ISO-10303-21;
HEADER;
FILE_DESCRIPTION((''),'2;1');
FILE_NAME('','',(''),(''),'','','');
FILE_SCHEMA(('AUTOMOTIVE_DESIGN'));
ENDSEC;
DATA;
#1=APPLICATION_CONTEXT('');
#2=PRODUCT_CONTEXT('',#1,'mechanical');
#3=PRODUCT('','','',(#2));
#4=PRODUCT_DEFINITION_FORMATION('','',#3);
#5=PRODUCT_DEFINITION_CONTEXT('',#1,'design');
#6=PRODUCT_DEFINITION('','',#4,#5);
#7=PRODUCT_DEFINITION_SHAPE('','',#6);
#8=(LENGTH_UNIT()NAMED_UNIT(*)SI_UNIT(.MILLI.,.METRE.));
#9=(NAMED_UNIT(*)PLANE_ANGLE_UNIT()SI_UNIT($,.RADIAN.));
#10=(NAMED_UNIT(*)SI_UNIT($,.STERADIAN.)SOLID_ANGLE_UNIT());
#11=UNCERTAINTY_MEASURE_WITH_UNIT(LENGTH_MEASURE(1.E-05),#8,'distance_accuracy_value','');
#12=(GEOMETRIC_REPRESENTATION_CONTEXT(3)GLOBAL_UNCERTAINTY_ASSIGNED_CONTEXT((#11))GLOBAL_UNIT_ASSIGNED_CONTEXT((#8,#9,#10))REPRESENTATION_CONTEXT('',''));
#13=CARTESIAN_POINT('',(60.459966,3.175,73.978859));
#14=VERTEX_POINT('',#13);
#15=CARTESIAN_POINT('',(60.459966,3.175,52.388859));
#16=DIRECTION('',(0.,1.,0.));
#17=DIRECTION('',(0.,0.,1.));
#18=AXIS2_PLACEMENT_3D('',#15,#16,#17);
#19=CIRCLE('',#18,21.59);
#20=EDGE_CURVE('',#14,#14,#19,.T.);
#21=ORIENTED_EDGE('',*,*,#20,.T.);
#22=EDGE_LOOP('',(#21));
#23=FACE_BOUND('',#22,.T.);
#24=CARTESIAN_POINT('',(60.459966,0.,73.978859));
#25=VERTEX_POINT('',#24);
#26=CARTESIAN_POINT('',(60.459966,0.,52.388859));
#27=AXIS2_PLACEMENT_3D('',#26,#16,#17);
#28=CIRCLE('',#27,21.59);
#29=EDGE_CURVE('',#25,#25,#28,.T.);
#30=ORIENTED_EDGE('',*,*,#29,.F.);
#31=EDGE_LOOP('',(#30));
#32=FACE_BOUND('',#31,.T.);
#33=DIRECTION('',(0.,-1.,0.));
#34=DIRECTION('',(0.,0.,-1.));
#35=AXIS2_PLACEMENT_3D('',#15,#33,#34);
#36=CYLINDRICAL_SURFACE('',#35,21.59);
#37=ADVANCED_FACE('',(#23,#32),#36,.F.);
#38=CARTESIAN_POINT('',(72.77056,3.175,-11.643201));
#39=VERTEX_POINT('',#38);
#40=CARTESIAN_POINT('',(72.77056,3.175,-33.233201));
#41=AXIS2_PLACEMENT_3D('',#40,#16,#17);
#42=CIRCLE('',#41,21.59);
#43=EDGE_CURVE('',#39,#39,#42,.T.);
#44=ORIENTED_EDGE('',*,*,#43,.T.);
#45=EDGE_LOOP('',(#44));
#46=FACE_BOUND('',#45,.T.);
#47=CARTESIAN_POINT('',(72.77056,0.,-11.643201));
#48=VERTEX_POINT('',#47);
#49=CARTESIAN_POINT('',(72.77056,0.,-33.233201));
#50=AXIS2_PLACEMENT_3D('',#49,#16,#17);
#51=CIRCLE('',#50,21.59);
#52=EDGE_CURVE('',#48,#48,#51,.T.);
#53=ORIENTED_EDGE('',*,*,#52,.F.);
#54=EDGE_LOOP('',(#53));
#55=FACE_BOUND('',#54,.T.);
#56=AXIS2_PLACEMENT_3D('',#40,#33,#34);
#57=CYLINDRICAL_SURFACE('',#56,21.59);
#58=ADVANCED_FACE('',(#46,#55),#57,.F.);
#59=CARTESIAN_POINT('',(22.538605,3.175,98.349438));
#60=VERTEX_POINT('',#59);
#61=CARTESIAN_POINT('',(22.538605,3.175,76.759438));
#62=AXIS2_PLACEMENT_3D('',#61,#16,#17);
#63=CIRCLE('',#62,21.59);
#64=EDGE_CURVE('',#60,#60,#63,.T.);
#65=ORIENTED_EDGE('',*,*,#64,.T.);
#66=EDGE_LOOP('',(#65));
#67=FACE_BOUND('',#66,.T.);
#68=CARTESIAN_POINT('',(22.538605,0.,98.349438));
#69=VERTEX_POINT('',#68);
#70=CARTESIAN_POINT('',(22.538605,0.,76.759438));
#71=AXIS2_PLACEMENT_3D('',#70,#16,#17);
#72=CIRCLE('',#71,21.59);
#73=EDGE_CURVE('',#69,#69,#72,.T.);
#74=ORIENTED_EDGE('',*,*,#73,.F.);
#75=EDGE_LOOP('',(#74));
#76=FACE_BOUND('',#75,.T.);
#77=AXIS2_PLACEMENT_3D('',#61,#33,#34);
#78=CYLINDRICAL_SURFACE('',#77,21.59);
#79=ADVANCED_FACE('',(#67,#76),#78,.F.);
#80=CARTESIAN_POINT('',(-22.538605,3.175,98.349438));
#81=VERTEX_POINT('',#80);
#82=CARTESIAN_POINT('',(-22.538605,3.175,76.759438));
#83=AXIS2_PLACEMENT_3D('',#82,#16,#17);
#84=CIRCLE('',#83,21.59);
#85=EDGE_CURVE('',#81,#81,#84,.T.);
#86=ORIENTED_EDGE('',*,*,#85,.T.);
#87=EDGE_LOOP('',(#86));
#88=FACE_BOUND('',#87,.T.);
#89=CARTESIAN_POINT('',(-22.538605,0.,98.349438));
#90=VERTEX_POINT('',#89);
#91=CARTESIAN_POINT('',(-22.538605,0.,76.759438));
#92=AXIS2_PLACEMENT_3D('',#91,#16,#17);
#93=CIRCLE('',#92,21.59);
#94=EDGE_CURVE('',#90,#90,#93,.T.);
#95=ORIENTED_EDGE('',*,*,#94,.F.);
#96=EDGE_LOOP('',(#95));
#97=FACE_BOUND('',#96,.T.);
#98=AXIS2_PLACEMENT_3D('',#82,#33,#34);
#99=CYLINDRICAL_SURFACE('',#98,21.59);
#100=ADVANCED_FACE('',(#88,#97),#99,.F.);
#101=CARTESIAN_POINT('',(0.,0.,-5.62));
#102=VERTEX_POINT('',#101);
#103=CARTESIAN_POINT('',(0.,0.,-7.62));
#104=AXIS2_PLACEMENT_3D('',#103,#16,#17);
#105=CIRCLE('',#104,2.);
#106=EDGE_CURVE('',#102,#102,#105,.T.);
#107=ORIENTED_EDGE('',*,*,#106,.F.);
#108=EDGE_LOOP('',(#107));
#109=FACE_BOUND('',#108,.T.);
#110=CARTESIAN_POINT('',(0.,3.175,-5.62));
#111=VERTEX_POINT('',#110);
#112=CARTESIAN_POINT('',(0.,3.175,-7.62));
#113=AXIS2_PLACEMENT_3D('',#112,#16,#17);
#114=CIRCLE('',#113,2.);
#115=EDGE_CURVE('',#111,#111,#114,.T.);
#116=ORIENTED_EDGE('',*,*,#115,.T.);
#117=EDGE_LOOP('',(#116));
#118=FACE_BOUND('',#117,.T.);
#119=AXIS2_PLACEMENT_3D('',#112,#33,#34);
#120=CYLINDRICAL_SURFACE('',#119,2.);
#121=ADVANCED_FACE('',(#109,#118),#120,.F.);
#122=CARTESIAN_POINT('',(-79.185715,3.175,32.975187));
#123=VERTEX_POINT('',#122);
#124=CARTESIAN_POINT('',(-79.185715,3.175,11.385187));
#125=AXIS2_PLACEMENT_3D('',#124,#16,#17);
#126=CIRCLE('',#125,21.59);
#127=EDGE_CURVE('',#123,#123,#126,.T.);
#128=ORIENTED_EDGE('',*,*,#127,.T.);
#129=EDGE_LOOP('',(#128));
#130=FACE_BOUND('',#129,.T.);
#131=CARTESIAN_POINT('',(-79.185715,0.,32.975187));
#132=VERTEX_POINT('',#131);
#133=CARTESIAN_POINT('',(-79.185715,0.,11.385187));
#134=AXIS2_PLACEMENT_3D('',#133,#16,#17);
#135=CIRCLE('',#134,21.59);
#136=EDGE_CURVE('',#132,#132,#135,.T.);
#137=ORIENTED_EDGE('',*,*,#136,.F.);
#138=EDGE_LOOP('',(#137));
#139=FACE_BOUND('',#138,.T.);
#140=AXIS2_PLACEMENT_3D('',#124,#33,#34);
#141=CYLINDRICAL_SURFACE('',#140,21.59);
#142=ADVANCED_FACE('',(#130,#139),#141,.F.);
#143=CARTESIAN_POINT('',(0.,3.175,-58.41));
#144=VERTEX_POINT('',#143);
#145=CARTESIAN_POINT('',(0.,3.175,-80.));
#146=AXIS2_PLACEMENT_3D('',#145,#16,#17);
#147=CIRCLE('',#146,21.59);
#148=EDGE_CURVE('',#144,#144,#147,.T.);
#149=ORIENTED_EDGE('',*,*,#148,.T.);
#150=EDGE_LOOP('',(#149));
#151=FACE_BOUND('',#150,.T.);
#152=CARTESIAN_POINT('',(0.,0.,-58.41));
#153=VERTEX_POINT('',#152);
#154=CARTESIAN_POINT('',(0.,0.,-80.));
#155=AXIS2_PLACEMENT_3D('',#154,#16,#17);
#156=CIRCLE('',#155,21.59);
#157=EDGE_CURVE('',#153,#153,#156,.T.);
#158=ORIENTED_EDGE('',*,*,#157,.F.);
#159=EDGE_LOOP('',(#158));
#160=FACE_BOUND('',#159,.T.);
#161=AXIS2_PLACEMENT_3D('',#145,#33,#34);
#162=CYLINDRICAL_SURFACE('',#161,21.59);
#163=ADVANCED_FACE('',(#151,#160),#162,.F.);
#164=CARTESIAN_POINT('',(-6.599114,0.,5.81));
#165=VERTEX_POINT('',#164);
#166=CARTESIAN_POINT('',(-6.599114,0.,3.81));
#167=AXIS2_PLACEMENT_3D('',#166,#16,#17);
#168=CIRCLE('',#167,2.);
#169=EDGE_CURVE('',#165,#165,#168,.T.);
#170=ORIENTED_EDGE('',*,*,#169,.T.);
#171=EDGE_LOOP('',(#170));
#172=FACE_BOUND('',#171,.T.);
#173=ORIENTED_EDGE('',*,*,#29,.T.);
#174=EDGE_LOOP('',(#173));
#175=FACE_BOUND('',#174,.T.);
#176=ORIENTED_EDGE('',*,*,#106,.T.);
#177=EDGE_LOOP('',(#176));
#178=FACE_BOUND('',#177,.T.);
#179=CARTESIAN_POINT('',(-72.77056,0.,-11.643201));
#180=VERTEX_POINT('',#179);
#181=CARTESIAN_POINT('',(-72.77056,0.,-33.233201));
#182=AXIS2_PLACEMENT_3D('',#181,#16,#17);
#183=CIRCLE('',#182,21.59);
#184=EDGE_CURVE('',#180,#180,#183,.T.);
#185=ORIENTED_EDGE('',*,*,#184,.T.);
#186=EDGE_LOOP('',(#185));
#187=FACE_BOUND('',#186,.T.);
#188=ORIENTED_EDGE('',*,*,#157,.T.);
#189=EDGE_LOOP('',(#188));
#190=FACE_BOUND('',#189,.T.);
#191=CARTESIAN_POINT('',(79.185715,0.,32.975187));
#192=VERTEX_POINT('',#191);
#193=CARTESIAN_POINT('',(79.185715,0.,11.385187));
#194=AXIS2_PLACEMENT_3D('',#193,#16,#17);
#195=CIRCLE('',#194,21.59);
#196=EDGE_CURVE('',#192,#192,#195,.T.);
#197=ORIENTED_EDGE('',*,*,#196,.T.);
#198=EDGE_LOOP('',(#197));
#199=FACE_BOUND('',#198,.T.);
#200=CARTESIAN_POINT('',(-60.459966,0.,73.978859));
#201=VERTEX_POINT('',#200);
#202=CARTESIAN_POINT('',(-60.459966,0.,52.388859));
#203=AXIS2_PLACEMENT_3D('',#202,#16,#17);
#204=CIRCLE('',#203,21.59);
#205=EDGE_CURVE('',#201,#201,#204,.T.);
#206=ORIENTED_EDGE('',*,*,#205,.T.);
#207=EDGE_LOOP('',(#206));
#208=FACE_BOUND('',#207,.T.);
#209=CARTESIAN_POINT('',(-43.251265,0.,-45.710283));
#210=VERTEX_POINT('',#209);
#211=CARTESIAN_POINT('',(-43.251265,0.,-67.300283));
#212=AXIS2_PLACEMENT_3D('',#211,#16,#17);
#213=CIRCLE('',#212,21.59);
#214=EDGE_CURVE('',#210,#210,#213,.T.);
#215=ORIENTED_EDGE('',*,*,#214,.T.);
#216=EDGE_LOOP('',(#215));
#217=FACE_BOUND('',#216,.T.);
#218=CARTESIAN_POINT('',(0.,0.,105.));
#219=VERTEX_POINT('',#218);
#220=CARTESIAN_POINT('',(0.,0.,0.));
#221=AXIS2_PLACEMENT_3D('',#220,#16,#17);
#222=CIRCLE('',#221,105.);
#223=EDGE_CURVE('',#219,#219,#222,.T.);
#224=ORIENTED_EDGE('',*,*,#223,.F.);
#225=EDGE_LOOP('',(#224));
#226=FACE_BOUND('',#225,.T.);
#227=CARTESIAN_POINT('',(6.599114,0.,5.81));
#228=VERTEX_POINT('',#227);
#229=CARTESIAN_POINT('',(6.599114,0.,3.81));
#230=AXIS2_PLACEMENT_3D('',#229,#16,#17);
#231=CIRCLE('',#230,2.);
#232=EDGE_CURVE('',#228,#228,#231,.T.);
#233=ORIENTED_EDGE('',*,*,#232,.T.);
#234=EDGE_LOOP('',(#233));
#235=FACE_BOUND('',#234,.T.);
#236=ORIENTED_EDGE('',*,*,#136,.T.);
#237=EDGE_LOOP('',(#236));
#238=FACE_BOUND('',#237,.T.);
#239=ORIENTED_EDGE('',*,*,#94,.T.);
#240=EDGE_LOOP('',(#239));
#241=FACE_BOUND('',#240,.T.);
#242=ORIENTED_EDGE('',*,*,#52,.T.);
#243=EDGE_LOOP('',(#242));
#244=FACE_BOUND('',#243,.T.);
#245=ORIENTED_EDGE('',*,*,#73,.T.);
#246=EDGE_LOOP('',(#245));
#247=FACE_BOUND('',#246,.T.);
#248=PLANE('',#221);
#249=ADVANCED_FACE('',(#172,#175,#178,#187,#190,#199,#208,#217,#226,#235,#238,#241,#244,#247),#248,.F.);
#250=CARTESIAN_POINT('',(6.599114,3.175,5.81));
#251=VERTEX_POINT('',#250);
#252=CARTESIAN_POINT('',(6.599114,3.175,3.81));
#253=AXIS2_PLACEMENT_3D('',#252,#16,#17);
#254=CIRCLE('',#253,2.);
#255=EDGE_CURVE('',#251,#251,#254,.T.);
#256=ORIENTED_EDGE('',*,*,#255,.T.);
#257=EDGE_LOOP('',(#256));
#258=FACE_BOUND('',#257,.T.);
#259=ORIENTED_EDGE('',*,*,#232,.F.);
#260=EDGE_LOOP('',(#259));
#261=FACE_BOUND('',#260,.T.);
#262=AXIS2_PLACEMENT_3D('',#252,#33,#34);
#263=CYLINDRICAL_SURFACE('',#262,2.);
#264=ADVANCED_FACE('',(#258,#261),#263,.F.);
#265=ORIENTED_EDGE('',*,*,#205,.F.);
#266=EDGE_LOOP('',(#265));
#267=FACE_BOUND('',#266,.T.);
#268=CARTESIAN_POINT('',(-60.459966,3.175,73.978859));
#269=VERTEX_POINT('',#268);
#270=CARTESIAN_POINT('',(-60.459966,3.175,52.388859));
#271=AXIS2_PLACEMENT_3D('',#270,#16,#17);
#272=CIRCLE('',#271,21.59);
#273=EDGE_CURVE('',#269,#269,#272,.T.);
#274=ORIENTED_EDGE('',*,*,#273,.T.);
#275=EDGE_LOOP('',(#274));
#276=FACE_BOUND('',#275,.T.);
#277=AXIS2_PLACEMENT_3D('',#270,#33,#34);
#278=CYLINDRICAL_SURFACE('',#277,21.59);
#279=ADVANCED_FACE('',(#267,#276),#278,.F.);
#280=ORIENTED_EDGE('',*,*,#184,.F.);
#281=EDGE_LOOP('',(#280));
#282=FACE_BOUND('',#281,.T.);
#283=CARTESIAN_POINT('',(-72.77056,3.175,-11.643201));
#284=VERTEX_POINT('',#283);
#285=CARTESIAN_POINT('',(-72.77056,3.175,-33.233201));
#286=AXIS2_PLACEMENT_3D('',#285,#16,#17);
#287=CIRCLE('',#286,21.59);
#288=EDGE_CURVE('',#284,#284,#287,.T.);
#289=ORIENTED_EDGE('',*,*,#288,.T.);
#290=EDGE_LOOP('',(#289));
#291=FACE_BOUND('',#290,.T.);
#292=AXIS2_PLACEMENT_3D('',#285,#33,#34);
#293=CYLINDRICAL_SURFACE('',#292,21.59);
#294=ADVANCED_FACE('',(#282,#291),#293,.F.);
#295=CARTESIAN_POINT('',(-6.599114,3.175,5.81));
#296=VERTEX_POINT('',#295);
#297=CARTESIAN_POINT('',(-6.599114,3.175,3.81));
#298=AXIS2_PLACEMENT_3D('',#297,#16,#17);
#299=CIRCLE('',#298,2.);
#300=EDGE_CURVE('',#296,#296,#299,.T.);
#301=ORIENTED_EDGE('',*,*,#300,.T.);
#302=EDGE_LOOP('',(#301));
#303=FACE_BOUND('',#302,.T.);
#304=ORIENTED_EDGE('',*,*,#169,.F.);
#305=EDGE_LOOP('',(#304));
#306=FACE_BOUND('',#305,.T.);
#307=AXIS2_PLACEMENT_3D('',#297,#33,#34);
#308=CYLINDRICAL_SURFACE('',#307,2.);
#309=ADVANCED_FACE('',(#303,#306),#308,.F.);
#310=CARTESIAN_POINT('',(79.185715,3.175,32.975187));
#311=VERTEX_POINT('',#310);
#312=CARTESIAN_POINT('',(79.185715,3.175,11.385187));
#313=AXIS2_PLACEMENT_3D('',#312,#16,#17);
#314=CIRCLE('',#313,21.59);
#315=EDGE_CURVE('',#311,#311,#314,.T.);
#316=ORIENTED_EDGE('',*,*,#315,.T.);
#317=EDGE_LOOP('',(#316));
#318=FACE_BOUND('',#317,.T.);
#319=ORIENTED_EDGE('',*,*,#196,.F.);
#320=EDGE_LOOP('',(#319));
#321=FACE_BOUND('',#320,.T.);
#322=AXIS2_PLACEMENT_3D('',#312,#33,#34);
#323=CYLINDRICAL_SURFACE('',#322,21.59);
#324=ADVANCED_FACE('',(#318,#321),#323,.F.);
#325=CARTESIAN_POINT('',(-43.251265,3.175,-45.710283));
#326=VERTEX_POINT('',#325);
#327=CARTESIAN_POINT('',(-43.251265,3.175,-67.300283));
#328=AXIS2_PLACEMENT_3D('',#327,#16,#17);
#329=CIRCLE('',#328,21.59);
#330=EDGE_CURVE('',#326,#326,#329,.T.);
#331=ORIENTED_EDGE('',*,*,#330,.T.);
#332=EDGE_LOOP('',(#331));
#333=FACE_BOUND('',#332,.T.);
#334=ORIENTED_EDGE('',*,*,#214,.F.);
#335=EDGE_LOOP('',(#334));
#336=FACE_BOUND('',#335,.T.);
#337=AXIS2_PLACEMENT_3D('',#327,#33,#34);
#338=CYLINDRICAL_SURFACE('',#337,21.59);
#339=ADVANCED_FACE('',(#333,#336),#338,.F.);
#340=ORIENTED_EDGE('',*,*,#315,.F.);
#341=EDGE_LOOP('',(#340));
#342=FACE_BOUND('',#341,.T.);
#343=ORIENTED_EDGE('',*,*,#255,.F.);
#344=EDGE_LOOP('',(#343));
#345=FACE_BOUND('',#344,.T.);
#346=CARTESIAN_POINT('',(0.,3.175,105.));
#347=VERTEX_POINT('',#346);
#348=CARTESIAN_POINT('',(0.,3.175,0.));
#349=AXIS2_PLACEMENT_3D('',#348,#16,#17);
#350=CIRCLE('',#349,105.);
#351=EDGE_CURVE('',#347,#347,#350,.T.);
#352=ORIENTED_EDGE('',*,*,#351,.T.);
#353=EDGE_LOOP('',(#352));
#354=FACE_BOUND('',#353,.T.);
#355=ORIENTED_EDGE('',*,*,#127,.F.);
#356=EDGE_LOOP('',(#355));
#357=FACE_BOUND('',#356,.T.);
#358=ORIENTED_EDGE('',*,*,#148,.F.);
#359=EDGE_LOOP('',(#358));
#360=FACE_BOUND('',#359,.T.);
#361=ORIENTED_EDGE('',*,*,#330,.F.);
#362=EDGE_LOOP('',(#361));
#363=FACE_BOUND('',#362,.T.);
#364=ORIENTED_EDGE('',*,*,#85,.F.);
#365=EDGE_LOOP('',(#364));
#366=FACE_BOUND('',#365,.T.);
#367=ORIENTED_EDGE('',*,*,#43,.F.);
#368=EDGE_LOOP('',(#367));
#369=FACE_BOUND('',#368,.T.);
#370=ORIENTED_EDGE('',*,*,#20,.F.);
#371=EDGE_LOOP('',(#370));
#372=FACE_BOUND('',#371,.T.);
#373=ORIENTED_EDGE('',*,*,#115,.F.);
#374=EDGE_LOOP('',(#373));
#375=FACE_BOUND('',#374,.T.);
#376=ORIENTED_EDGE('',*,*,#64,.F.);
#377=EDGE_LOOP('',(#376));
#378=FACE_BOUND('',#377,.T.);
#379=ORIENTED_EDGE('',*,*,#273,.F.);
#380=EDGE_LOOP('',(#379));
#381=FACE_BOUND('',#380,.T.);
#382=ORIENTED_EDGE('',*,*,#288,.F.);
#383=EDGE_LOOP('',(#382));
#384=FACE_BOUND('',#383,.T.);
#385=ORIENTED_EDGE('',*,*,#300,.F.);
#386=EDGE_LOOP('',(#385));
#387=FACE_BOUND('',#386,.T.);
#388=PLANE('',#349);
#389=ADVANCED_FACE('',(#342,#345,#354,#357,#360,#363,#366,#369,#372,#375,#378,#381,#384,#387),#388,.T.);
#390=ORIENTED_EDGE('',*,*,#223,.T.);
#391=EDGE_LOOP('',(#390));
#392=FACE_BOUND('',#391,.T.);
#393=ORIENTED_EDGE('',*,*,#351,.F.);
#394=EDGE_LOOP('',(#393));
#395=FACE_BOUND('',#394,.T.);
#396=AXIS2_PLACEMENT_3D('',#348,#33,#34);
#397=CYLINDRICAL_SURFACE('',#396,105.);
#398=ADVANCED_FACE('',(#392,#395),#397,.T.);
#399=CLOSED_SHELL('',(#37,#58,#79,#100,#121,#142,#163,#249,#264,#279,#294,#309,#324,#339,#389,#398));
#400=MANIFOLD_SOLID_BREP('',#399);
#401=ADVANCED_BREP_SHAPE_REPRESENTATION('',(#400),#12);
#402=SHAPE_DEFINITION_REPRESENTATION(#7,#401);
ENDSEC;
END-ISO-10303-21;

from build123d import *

# Parameters (mm, degrees)
SKETCH2_R           = 105
SKETCH2_R_2         = 21.59
SKETCH2_R_3         = 2
BOSS_EXTRUDE2_DEPTH = 3.175


with BuildPart() as part:
    # Sketch2 → Boss-Extrude2 (new body)
    with BuildSketch(Plane(origin=(0, 0, 0), x_dir=(1, 0, 0), z_dir=(0, 1, 0))):
        Circle(SKETCH2_R)
        with Locations((0, 80)):
            Circle(SKETCH2_R_2, mode=Mode.SUBTRACT)
        with Locations((72.770559628, 33.23320104)):
            Circle(SKETCH2_R_2, mode=Mode.SUBTRACT)
        with Locations((79.18571535, -11.385187062)):
            Circle(SKETCH2_R_2, mode=Mode.SUBTRACT)
        with Locations((60.459965948, -52.388858716)):
            Circle(SKETCH2_R_2, mode=Mode.SUBTRACT)
        with Locations((22.538604547, -76.759437889)):
            Circle(SKETCH2_R_2, mode=Mode.SUBTRACT)
        with Locations((-22.538604547, -76.759437889)):
            Circle(SKETCH2_R_2, mode=Mode.SUBTRACT)
        with Locations((-60.459965948, -52.388858716)):
            Circle(SKETCH2_R_2, mode=Mode.SUBTRACT)
        with Locations((-79.18571535, -11.385187062)):
            Circle(SKETCH2_R_2, mode=Mode.SUBTRACT)
        with Locations((-72.770559628, 33.23320104)):
            Circle(SKETCH2_R_2, mode=Mode.SUBTRACT)
        with Locations((-43.251265396, 67.300282626)):
            Circle(SKETCH2_R_2, mode=Mode.SUBTRACT)
        with Locations((0, 7.62)):
            Circle(SKETCH2_R_3, mode=Mode.SUBTRACT)
        with Locations((6.599113577, -3.81)):
            Circle(SKETCH2_R_3, mode=Mode.SUBTRACT)
        with Locations((-6.599113577, -3.81)):
            Circle(SKETCH2_R_3, mode=Mode.SUBTRACT)
    extrude(amount=BOSS_EXTRUDE2_DEPTH)


solid = part.part
